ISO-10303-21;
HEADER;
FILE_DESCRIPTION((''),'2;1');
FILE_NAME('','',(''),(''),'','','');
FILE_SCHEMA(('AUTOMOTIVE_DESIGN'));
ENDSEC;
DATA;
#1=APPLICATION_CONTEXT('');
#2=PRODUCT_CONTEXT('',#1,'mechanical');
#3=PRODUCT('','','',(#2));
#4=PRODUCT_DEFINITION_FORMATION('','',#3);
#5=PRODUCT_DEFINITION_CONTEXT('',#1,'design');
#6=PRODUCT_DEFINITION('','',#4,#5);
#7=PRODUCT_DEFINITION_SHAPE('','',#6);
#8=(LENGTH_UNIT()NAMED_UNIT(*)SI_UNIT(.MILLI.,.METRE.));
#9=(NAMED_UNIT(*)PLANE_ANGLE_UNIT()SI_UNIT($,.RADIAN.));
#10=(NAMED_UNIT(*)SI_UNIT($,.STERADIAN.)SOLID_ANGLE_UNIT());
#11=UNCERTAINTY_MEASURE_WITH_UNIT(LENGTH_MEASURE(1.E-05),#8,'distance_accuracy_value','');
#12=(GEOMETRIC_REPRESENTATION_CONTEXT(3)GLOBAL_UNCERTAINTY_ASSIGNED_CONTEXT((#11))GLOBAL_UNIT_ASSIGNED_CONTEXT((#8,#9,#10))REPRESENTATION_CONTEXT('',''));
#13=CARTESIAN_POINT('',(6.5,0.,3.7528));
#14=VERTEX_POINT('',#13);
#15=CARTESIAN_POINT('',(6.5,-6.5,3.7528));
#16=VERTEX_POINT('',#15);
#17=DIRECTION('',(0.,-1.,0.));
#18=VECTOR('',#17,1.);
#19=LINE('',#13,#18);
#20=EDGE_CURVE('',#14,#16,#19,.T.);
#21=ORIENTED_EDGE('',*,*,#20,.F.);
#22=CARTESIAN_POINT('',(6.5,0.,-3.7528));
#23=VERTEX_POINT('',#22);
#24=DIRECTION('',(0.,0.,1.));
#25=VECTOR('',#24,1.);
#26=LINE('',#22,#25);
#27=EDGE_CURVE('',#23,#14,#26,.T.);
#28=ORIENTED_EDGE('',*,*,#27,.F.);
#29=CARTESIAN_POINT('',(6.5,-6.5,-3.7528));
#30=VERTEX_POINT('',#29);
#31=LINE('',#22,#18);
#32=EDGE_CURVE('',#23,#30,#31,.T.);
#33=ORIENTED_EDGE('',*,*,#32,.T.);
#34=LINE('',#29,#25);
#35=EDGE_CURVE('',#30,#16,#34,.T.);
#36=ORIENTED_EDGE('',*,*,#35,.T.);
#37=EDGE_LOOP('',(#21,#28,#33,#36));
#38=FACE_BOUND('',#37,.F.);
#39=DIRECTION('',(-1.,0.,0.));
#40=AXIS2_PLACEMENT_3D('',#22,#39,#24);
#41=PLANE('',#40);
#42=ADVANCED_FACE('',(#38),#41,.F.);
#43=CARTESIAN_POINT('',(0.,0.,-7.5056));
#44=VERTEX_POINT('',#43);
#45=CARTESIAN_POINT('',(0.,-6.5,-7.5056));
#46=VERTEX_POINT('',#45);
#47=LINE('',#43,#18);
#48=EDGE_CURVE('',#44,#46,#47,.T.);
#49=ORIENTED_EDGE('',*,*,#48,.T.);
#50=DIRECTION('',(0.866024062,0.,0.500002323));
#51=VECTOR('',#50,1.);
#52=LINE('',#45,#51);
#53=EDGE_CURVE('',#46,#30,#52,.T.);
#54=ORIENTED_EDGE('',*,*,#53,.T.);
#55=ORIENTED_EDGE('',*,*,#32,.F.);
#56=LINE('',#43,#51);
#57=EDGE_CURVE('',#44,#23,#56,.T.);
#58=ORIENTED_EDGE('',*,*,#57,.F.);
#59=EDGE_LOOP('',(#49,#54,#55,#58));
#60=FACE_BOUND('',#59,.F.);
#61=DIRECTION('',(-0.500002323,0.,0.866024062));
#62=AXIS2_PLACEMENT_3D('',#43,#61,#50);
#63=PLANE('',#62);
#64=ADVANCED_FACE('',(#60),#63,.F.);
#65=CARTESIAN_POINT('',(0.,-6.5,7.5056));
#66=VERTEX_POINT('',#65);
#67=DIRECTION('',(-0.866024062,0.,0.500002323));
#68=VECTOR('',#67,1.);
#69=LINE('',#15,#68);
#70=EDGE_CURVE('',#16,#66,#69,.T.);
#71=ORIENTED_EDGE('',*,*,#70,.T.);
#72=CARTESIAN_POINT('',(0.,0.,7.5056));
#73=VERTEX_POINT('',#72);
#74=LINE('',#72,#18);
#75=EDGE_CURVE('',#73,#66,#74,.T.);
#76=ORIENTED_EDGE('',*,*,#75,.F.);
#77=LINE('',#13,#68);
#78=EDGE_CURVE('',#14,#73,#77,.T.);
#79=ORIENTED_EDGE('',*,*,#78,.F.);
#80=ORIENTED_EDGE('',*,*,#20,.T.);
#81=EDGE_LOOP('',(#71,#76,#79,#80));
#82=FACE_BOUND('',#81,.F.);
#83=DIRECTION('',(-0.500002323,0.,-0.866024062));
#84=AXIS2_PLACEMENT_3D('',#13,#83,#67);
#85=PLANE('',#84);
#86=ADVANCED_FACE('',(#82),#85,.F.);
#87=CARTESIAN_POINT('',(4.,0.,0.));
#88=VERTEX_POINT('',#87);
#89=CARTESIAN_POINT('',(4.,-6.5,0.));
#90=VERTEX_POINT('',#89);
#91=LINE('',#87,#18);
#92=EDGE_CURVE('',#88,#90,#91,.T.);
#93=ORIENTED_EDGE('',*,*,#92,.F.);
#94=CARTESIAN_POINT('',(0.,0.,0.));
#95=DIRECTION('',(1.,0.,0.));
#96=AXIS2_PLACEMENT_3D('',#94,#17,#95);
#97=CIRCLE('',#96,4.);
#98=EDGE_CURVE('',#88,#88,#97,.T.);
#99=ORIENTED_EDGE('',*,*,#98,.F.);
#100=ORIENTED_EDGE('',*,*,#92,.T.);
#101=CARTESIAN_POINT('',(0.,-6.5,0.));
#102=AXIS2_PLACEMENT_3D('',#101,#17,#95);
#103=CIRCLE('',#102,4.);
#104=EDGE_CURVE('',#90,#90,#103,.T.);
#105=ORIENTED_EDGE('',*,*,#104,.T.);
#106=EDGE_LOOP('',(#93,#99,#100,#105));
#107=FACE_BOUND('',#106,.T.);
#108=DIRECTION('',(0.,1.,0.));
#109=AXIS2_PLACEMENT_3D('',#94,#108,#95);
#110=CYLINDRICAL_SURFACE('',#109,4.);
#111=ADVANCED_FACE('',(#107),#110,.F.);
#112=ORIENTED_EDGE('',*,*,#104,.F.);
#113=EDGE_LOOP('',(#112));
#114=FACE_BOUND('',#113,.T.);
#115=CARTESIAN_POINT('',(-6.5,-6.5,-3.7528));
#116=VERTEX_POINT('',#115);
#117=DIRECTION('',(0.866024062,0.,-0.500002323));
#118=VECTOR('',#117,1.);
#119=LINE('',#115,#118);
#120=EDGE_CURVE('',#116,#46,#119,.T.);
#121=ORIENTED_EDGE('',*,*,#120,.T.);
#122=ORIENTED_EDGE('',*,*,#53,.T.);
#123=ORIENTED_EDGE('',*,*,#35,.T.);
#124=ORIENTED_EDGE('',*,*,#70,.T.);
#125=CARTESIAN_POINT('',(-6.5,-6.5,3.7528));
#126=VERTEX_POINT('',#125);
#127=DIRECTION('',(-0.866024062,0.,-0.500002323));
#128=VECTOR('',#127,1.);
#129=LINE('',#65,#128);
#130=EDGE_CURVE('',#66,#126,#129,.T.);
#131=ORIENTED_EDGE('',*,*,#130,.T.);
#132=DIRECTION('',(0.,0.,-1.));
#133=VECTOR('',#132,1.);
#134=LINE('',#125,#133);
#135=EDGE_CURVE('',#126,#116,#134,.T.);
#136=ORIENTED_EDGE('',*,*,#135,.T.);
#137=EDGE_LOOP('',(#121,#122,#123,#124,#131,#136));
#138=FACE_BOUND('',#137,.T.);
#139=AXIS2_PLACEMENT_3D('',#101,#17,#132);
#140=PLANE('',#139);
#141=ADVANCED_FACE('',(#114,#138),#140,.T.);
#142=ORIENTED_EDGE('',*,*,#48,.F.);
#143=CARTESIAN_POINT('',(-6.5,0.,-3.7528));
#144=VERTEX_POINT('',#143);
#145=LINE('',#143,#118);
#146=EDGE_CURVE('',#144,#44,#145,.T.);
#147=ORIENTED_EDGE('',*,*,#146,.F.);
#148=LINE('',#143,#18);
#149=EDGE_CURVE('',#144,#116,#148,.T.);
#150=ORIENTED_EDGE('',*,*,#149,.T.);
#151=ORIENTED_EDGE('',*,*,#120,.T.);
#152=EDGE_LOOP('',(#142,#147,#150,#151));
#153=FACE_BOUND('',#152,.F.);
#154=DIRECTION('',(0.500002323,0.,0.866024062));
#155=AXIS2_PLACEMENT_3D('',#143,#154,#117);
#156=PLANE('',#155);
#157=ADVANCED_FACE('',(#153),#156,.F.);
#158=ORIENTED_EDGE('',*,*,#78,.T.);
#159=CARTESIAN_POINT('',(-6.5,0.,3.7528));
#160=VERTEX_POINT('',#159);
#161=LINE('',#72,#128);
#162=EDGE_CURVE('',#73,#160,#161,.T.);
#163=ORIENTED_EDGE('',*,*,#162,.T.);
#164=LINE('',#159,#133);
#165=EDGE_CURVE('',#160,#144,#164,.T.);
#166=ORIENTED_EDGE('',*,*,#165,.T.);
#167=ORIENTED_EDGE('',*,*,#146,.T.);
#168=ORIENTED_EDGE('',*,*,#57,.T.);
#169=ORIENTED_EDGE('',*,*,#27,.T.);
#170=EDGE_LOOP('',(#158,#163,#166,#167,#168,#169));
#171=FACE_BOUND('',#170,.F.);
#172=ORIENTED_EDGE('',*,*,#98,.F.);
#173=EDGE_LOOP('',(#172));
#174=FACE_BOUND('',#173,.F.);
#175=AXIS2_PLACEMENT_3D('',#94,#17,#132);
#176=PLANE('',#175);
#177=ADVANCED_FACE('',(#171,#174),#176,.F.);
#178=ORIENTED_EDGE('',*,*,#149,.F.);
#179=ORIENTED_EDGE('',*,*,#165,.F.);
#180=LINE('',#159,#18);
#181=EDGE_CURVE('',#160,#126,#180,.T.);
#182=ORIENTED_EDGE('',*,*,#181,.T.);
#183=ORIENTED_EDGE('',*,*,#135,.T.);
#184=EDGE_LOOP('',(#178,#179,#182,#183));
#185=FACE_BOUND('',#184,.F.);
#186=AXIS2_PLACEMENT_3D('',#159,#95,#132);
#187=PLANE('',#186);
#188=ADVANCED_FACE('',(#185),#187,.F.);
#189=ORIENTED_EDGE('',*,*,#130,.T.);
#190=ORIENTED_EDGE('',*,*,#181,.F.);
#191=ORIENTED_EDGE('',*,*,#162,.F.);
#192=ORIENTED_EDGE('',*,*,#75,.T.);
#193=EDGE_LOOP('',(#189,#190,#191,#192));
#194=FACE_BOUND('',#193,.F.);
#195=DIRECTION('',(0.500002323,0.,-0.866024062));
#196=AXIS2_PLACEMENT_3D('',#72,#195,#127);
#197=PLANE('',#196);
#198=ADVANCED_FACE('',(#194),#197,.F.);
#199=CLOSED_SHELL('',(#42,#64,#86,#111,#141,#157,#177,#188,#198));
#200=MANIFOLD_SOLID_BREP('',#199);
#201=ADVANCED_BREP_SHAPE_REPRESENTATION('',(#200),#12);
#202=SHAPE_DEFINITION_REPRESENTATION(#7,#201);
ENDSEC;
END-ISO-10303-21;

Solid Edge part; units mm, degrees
sketch "Sketch1" plane through (0, 0, 0) normal (0, -1, 0) x (1, 0, 0)
  line L0 (6.5, 3.7528) -> (0, 7.5056)
  line L1 (0, 7.5056) -> (-6.5, 3.7528)
  line L2 (-6.5, 3.7528) -> (-6.5, -3.7528)
  line L3 (-6.5, -3.7528) -> (0, -7.5056)
  line L4 (0, -7.5056) -> (6.5, -3.7528)
  line L5 (6.5, -3.7528) -> (6.5, 3.7528)
  circle A0 centre (0, 0) radius 4
  dimension "D1" = 13
  dimension "D2" = 8
extrude "Protrusion1" add sketch "Sketch1" along normal blind 6.5
cosmetic_thread "Thread1" size "M8"
properties material "Nylon, general purpose"
